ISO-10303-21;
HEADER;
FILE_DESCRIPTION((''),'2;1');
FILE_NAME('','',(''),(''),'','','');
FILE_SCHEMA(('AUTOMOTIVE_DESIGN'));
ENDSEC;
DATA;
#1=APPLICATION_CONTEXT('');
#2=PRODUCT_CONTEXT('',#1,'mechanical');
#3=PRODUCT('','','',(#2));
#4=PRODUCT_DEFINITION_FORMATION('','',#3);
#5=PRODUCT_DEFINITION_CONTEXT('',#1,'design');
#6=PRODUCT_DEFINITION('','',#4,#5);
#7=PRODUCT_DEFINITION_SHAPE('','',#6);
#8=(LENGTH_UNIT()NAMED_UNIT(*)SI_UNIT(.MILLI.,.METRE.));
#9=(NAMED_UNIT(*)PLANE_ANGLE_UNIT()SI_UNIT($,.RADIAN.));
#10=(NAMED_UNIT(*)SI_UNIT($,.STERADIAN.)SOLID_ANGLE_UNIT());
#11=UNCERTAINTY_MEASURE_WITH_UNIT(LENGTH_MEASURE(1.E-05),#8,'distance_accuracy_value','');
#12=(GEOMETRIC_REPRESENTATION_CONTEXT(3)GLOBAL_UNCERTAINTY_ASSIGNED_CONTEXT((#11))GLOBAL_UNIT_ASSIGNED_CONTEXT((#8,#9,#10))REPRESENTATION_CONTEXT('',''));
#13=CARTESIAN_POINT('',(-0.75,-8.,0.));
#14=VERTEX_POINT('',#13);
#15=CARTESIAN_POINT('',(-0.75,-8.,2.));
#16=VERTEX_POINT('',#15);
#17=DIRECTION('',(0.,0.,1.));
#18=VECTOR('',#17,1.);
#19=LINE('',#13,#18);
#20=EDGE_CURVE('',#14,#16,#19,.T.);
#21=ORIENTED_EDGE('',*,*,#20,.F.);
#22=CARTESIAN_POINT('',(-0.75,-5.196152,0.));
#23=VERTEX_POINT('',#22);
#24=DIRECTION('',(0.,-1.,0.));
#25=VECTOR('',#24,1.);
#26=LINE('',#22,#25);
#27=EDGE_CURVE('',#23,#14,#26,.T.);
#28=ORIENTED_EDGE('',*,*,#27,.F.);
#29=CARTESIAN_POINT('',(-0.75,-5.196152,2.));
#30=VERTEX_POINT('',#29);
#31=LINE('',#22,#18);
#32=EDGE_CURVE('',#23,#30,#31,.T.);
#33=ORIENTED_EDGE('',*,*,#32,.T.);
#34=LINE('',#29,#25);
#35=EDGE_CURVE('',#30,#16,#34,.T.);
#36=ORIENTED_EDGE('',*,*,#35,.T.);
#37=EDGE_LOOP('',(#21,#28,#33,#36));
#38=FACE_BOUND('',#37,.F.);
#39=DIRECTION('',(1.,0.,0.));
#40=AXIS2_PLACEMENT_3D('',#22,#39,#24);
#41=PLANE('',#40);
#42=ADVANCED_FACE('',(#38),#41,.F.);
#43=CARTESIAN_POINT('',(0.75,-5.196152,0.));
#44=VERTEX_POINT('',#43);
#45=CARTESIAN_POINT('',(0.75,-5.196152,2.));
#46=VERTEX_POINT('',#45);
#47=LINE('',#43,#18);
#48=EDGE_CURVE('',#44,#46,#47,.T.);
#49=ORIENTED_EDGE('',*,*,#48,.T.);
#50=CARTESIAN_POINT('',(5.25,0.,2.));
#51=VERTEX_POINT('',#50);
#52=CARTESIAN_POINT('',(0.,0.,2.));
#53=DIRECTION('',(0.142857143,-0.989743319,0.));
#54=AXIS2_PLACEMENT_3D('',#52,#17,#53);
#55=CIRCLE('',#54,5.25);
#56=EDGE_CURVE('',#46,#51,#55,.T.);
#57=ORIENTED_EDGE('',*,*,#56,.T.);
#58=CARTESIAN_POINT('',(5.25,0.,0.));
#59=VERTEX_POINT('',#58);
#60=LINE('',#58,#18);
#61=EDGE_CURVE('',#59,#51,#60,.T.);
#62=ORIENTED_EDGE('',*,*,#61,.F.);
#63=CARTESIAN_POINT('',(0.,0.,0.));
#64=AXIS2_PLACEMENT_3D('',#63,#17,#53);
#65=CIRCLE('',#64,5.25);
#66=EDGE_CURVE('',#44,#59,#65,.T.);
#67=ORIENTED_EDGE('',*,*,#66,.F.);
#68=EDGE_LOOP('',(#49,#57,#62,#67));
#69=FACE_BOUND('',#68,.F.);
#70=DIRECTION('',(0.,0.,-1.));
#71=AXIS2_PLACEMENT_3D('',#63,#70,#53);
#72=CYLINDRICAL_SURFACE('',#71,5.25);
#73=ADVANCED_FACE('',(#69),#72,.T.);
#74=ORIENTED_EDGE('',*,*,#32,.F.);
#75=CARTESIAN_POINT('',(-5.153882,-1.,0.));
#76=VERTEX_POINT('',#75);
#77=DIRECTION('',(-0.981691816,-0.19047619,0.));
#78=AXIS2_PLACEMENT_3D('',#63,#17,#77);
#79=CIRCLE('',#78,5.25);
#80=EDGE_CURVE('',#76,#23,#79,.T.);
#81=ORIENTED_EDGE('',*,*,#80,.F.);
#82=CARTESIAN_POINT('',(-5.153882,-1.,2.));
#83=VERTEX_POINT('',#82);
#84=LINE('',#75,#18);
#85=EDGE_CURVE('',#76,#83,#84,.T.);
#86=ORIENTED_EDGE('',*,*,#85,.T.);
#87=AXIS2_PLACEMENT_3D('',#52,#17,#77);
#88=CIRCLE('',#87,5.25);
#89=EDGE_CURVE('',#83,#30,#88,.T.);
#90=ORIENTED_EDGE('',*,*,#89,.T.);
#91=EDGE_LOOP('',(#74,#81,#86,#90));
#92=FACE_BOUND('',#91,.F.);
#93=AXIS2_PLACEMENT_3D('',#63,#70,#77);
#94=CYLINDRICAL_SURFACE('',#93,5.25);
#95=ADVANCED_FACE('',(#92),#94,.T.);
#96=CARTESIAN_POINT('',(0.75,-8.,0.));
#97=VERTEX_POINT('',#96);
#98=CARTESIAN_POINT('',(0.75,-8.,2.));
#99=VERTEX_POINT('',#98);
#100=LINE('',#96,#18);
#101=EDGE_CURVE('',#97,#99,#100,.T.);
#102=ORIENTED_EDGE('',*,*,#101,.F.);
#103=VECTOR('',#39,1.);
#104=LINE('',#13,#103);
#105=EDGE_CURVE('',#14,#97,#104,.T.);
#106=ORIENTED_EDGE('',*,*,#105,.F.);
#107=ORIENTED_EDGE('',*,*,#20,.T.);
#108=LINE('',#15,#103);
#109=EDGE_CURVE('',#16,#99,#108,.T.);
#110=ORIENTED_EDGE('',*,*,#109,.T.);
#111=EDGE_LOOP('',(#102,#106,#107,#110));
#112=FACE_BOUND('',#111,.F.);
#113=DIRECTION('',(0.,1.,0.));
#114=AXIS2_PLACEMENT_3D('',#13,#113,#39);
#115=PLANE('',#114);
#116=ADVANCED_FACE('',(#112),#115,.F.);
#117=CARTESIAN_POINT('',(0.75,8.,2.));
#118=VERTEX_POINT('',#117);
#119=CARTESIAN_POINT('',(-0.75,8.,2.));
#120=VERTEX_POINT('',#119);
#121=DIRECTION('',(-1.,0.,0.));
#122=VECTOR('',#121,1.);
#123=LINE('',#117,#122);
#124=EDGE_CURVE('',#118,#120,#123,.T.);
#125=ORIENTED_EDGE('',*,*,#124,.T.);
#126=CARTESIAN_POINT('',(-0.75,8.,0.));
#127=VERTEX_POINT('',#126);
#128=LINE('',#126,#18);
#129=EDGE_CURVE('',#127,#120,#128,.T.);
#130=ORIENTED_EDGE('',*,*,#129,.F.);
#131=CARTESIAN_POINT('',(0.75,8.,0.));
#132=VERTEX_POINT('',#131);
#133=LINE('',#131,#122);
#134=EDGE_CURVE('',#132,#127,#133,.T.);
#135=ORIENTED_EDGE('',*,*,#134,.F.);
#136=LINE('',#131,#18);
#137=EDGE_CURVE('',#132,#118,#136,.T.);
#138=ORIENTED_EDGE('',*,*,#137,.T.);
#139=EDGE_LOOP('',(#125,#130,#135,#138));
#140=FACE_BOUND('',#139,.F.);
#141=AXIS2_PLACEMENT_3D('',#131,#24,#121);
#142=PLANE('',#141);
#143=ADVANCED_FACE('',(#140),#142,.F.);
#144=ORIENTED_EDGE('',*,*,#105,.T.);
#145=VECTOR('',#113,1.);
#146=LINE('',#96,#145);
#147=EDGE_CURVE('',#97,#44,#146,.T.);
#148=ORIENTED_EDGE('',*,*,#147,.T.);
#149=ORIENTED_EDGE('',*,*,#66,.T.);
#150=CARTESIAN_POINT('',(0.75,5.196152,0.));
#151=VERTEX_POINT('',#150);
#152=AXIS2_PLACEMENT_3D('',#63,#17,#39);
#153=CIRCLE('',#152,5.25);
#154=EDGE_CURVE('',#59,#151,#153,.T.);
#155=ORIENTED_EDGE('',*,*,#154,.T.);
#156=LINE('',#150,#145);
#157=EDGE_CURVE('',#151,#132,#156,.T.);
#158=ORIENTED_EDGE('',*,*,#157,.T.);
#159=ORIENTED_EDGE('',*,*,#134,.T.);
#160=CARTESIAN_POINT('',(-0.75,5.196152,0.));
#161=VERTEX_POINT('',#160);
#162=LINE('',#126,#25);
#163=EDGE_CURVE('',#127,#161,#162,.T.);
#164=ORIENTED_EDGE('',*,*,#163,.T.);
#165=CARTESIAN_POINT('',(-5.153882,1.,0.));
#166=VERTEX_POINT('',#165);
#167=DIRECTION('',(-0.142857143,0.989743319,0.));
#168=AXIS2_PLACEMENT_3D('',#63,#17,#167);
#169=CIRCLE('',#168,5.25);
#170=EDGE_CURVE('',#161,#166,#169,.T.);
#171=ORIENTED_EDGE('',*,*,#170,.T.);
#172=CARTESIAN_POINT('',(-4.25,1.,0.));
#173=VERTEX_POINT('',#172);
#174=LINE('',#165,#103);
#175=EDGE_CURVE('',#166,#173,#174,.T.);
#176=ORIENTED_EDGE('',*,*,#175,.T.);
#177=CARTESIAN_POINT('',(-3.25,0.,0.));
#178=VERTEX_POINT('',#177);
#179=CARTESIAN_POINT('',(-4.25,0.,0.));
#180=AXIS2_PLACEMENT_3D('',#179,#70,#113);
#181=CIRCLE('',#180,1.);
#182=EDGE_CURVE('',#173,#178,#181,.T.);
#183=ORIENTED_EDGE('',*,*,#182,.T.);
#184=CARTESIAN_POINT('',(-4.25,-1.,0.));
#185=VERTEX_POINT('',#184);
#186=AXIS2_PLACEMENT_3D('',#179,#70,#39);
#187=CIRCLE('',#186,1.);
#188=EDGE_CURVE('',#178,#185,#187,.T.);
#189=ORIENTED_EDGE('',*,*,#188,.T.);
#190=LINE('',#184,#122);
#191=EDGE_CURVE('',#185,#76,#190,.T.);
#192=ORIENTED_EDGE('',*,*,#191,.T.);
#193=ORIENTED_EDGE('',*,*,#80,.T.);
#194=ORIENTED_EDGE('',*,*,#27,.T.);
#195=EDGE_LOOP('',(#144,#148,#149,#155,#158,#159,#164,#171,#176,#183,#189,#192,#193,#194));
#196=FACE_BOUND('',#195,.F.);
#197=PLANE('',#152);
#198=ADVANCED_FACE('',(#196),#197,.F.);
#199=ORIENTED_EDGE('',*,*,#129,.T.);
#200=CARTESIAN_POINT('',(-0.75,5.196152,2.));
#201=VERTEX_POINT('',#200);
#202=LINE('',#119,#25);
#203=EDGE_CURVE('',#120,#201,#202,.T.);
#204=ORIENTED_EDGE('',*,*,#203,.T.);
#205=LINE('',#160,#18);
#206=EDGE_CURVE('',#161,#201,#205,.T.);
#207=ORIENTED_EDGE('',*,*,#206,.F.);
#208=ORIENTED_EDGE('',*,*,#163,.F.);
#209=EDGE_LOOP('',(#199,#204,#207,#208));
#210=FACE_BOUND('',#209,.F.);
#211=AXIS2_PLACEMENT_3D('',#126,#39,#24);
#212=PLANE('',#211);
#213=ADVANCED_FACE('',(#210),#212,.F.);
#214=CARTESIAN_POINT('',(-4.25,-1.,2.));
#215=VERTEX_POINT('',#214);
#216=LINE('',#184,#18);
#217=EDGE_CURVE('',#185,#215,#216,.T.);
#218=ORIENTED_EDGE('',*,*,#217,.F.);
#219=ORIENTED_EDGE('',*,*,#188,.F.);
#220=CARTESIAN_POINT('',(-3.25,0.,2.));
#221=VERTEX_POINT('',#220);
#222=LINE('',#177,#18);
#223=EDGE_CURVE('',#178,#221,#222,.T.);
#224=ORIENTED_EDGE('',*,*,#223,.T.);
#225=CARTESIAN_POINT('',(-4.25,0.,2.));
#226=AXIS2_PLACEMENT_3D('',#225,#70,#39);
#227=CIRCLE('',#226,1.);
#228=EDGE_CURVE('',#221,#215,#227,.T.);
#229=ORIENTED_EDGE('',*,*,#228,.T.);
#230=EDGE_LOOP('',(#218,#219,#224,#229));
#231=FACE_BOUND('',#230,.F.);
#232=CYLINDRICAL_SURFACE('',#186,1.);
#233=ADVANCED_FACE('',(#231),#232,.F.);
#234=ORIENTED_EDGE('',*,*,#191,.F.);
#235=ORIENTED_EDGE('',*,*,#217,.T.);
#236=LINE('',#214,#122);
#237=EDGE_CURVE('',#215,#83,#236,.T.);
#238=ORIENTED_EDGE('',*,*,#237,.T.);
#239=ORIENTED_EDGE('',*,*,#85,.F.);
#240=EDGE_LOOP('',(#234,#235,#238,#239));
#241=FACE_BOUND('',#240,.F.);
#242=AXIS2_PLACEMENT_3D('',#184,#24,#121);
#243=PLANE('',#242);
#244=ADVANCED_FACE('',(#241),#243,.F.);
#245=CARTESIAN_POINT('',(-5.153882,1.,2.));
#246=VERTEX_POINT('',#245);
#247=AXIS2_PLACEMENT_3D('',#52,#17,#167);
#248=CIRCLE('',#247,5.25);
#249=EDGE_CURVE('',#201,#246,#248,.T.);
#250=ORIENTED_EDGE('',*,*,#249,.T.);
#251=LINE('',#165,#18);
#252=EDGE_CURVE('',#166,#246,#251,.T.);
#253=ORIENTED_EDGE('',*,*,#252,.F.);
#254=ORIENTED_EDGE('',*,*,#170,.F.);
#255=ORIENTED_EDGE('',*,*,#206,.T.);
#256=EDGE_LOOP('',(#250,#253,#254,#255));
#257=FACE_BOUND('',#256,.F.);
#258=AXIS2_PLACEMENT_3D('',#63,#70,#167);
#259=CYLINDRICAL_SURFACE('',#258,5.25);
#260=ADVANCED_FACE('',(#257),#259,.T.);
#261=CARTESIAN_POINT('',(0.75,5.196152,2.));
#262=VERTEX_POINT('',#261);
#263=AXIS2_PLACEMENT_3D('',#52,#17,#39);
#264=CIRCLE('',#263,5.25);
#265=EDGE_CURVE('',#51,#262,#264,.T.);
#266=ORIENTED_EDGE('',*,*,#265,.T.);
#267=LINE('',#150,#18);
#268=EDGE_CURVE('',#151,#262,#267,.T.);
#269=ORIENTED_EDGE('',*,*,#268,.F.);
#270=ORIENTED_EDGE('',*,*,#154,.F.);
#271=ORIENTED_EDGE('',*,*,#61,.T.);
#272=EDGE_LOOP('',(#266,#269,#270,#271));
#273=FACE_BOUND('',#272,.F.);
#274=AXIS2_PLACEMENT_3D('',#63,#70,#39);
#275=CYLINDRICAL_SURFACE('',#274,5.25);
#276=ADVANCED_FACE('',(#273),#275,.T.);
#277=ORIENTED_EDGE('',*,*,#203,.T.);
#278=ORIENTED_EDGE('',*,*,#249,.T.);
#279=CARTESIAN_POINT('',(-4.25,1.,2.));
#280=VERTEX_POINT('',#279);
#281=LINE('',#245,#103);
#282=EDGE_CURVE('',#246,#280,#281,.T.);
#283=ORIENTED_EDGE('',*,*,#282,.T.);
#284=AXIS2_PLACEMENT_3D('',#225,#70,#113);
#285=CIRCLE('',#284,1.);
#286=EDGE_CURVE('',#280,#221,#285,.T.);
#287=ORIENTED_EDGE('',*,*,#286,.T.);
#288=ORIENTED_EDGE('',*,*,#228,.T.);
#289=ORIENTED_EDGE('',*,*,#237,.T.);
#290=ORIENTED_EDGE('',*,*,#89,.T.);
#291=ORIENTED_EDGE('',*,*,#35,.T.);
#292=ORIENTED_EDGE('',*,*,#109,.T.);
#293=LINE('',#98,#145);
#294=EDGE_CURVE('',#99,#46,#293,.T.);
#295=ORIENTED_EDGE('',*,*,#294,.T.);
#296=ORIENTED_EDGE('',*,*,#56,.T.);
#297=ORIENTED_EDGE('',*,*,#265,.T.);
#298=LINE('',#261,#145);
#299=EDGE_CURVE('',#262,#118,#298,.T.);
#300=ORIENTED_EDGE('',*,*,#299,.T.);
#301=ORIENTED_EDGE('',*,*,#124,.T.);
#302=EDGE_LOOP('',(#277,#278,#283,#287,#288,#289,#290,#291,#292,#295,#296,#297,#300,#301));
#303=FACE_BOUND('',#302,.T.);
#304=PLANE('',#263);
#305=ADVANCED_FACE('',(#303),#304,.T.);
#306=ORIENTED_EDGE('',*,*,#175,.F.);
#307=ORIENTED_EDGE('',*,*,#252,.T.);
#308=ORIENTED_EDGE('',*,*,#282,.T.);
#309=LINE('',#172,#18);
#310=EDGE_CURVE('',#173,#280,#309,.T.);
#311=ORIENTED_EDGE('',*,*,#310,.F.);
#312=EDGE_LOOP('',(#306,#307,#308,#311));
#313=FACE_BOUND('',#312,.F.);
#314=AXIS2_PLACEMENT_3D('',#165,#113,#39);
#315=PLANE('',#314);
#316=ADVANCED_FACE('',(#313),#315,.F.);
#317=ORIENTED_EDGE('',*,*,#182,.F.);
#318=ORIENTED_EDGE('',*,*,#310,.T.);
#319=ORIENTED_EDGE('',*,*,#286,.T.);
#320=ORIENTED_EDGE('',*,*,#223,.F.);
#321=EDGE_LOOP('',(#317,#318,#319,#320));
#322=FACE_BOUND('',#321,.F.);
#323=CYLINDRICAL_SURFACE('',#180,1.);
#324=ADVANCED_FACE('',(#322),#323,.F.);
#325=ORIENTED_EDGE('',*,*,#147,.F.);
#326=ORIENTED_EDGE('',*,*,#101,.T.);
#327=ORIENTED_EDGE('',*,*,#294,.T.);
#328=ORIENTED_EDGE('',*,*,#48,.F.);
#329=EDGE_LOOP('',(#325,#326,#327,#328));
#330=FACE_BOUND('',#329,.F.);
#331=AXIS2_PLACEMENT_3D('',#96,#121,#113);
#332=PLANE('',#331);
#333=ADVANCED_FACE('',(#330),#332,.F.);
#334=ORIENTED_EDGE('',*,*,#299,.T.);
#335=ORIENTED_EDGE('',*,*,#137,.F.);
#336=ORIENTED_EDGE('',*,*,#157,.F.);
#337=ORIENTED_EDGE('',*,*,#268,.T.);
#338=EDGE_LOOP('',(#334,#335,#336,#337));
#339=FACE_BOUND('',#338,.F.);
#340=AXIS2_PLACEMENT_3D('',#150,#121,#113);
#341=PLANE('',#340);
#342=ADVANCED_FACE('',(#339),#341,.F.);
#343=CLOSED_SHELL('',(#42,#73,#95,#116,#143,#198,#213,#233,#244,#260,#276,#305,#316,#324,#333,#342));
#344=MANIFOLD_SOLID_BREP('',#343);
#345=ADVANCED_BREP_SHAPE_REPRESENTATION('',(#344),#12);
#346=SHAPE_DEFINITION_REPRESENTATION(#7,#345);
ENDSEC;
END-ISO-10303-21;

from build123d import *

# Parameters (mm, degrees)
F1_DEPTH = 2


with BuildPart() as f1:
    # F0 (on Top) → F1 (new body)
    with BuildSketch(Plane.XY):
        with BuildLine():
            Line((0.75, -5.1961524227), (0.75, 5.1961524227))
            ThreePointArc((0.75, 5.1961524227), (0, 5.25), (-0.75, 5.1961524227))
            Line((-0.75, 5.1961524227), (-0.75, -5.1961524227))
            ThreePointArc((-0.75, -5.1961524227), (0, -5.25), (0.75, -5.1961524227))
        make_face()
        with BuildLine():
            Line((-0.75, -5.1961524227), (-0.75, 5.1961524227))
            ThreePointArc((-0.75, 5.1961524227), (-3.6215852262, 3.8008710119), (-5.153882032, 1))
            Line((-5.153882032, 1), (-4.25, 1))
            ThreePointArc((-4.25, 1), (-3.5428932188, 0.7071067812), (-3.25, 0))
            ThreePointArc((-3.25, 0), (-3.5428932188, -0.7071067812), (-4.25, -1))
            Line((-4.25, -1), (-5.153882032, -1))
            ThreePointArc((-5.153882032, -1), (-3.6215852262, -3.8008710119), (-0.75, -5.1961524227))
        make_face()
        with BuildLine():
            ThreePointArc((0.75, -5.1961524227), (3.9686269666, -3.4369317712), (5.25, 0))
            ThreePointArc((5.25, 0), (3.9686269666, 3.4369317712), (0.75, 5.1961524227))
            Line((0.75, 5.1961524227), (0.75, -5.1961524227))
        make_face()
        with BuildLine():
            ThreePointArc((-0.75, 5.1961524227), (0, 5.25), (0.75, 5.1961524227))
            Line((0.75, 5.1961524227), (0.75, 8))
            Line((0.75, 8), (-0.75, 8))
            Line((-0.75, 8), (-0.75, 5.1961524227))
        make_face()
        with BuildLine():
            Line((0.75, -8), (0.75, -5.1961524227))
            ThreePointArc((0.75, -5.1961524227), (0, -5.25), (-0.75, -5.1961524227))
            Line((-0.75, -5.1961524227), (-0.75, -8))
            Line((-0.75, -8), (0.75, -8))
        make_face()
    extrude(amount=F1_DEPTH)


solid = f1.part
